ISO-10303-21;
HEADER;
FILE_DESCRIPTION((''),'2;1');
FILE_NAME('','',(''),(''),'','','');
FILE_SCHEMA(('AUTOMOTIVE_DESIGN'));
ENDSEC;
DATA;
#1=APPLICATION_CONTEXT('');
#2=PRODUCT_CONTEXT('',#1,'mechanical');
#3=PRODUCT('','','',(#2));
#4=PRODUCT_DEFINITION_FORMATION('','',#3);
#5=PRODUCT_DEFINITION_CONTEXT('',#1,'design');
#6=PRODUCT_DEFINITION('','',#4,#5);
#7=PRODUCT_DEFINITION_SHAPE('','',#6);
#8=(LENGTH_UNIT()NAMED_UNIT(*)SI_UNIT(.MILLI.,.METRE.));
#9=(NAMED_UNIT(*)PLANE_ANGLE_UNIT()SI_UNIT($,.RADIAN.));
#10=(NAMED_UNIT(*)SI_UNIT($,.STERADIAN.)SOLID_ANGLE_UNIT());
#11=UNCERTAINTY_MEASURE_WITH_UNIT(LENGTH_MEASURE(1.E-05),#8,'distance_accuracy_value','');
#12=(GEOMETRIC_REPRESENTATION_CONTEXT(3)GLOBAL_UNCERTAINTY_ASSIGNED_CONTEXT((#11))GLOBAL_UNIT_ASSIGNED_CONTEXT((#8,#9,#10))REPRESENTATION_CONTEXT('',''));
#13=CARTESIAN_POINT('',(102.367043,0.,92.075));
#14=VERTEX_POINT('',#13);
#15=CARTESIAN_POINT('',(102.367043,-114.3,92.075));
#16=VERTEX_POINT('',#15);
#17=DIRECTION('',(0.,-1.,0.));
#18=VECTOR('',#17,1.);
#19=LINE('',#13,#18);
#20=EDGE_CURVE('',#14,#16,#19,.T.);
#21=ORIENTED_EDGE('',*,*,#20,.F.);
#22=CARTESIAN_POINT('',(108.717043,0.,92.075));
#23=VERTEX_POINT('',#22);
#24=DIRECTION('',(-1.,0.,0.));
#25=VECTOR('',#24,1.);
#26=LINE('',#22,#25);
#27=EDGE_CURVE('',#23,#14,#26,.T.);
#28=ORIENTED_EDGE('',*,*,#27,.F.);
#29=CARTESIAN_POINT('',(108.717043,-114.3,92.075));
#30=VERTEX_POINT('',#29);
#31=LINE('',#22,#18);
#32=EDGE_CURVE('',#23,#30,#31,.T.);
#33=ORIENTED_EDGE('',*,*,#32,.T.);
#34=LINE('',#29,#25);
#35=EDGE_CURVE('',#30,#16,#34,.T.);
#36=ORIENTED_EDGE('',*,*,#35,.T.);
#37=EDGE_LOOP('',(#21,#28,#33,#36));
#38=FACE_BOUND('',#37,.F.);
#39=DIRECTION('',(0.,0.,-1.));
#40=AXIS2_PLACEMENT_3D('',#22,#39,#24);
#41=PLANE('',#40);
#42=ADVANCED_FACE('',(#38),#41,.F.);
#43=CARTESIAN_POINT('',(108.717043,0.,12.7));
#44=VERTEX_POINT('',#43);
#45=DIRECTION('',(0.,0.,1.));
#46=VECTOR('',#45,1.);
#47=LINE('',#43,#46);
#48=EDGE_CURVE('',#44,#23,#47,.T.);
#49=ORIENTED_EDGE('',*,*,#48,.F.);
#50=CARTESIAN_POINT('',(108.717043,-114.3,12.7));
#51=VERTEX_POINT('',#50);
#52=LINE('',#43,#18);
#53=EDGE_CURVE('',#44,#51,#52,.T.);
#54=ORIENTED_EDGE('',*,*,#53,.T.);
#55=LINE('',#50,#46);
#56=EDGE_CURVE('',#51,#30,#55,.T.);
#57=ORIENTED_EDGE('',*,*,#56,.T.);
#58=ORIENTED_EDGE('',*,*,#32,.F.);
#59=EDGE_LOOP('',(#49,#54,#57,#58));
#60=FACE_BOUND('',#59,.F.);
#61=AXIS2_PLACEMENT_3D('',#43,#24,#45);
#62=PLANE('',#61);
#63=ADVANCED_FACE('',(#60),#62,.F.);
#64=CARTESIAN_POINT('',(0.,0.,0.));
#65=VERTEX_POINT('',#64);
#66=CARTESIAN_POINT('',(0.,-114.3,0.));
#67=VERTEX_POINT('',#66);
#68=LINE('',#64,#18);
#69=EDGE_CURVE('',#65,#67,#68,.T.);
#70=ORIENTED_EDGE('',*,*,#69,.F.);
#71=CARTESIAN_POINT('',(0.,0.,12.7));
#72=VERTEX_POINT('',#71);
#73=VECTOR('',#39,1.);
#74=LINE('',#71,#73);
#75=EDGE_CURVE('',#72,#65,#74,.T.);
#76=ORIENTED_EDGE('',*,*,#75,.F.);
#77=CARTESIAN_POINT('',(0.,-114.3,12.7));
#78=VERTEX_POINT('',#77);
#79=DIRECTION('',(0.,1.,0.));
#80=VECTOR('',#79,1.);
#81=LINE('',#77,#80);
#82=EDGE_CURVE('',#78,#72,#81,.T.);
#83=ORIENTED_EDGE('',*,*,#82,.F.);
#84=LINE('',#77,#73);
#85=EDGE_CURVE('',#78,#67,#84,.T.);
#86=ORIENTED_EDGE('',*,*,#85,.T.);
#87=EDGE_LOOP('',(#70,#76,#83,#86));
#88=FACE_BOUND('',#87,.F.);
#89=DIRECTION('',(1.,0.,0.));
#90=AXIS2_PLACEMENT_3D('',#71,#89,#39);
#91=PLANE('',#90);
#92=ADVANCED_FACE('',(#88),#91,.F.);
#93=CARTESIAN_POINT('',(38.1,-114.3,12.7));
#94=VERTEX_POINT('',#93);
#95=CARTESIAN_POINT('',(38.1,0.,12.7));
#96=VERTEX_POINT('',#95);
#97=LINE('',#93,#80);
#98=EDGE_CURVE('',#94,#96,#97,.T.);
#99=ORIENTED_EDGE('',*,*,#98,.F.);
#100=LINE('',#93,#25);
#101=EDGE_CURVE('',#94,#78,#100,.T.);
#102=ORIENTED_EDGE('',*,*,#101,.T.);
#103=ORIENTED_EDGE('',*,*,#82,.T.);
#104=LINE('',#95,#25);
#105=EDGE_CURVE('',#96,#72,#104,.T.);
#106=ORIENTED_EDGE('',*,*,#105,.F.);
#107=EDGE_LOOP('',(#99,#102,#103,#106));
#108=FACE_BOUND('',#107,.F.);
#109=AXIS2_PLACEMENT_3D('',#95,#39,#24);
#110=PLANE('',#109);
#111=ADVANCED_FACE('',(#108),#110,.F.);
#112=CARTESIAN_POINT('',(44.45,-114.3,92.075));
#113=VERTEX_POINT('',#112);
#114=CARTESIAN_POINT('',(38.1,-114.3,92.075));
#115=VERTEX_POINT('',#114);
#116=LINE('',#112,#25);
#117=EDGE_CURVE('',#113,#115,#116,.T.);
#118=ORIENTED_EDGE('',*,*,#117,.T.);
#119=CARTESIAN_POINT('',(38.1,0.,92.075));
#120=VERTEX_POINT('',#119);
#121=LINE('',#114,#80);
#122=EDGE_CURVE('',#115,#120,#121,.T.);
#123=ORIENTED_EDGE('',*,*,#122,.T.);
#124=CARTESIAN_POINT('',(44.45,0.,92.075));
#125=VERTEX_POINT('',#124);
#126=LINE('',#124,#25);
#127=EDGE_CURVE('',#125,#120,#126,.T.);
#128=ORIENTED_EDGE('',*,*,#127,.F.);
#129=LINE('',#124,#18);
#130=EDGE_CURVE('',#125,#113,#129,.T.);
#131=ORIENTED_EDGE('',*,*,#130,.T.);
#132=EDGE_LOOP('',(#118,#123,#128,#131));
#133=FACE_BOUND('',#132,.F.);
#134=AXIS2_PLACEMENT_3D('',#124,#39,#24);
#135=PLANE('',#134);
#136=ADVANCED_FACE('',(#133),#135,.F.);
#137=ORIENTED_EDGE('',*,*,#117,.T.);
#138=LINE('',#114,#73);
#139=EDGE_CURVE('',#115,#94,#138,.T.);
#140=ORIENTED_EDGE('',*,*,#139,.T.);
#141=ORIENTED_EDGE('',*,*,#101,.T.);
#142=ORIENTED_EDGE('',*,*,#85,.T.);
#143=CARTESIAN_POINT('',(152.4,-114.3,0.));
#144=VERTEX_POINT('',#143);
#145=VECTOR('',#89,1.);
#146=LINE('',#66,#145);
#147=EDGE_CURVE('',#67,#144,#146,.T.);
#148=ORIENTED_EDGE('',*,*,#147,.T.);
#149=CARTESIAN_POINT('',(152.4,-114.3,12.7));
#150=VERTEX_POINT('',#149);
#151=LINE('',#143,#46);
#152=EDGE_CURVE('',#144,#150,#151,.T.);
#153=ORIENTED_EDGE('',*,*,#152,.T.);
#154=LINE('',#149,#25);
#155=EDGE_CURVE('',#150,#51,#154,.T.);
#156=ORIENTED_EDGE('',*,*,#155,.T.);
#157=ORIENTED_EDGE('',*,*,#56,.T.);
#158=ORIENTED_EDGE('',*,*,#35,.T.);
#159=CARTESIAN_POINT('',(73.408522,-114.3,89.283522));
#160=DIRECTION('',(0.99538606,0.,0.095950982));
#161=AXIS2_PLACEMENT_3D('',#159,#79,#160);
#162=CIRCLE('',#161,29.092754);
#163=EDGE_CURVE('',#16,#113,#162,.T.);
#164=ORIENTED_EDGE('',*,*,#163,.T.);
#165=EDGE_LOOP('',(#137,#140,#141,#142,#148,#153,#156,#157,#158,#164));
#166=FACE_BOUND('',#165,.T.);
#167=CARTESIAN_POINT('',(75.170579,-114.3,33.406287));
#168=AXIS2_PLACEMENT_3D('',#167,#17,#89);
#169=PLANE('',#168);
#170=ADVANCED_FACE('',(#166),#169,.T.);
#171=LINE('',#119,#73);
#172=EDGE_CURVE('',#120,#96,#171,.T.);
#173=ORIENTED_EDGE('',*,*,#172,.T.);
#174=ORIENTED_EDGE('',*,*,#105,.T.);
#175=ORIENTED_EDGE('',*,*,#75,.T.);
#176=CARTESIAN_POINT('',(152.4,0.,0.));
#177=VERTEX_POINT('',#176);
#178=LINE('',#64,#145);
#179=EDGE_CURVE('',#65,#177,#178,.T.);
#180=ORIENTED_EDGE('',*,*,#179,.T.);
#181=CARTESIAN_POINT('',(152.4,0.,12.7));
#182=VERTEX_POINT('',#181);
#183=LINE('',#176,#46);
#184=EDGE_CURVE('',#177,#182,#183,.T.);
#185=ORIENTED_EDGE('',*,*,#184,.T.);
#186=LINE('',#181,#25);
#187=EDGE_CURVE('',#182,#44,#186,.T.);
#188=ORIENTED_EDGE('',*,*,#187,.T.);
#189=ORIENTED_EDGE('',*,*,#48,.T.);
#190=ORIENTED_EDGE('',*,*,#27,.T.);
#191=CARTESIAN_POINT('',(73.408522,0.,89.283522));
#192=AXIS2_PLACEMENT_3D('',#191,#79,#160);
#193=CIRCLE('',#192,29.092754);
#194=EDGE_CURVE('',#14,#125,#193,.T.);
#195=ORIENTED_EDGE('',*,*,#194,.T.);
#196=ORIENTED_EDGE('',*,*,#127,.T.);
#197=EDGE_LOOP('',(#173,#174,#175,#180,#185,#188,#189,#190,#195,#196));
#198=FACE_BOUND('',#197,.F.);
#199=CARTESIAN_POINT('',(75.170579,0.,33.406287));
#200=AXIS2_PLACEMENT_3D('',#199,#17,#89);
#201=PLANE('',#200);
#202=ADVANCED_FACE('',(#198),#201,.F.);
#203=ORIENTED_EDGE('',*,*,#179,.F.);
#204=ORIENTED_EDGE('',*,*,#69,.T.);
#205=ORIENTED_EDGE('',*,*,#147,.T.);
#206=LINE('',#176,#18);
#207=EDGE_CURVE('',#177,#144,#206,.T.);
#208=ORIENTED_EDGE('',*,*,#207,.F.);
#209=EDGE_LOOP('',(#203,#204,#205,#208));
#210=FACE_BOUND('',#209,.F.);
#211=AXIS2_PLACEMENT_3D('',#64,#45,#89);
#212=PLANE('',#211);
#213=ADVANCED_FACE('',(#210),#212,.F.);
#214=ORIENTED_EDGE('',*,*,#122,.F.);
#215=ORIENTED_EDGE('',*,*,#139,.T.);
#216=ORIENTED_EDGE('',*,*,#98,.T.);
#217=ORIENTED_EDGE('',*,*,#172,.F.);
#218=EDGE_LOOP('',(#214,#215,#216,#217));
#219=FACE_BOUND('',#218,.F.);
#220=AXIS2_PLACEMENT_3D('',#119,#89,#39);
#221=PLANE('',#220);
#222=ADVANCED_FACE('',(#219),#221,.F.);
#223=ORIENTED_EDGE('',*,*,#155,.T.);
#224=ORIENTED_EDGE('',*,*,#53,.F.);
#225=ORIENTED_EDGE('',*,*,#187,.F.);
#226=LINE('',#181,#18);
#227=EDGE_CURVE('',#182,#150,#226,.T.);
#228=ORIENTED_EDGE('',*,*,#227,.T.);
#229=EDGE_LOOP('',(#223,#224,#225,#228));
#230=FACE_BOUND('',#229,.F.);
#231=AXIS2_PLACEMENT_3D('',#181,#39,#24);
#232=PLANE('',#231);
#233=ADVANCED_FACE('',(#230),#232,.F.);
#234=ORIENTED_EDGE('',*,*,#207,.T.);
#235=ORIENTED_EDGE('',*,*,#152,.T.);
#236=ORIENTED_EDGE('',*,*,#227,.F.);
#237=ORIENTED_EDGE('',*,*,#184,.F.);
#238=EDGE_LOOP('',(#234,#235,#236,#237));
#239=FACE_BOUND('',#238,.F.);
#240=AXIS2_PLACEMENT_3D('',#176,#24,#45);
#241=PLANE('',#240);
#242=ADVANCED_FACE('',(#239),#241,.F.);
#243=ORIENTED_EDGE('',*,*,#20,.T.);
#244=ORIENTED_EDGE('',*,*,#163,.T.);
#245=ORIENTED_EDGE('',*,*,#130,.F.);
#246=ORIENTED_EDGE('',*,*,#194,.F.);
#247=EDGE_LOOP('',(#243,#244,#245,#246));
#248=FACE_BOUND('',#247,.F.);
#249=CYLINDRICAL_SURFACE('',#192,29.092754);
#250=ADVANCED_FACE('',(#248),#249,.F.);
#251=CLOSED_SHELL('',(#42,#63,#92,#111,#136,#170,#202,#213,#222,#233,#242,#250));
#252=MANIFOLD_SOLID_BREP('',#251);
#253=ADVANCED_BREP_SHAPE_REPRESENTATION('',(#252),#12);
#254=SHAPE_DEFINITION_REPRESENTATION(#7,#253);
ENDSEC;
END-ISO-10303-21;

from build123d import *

# Parameters (mm, degrees)
F1_DEPTH = 25.4
F2_DEPTH = 114.3


with BuildPart() as f1:
    # F0 (on Front) → F1 (new body)
    with BuildSketch(Plane.XZ):
        with BuildLine():
            Line((0, 12.7), (0, 0))
            Line((0, 0), (152.4, 0))
            Line((152.4, 0), (152.4, 12.7))
            Line((152.4, 12.7), (108.717043, 12.7))
            Line((108.717043, 12.7), (108.717043, 92.075))
            Line((108.717043, 92.075), (102.367043, 92.075))
            ThreePointArc((102.367043, 92.075), (73.408522, 60.190768), (44.45, 92.075))
            Line((44.45, 92.075), (38.1, 92.075))
            Line((38.1, 92.075), (38.1, 12.7))
            Line((38.1, 12.7), (0, 12.7))
        make_face()
    extrude(amount=F1_DEPTH)

    # F0 (on Front) → F2 (join)
    with BuildSketch(Plane.XZ):
        with BuildLine():
            Line((0, 12.7), (0, 0))
            Line((0, 0), (152.4, 0))
            Line((152.4, 0), (152.4, 12.7))
            Line((152.4, 12.7), (108.717043, 12.7))
            Line((108.717043, 12.7), (108.717043, 92.075))
            Line((108.717043, 92.075), (102.367043, 92.075))
            ThreePointArc((102.367043, 92.075), (73.408522, 60.190768), (44.45, 92.075))
            Line((44.45, 92.075), (38.1, 92.075))
            Line((38.1, 92.075), (38.1, 12.7))
            Line((38.1, 12.7), (0, 12.7))
        make_face()
    extrude(amount=F2_DEPTH)


solid = f1.part
